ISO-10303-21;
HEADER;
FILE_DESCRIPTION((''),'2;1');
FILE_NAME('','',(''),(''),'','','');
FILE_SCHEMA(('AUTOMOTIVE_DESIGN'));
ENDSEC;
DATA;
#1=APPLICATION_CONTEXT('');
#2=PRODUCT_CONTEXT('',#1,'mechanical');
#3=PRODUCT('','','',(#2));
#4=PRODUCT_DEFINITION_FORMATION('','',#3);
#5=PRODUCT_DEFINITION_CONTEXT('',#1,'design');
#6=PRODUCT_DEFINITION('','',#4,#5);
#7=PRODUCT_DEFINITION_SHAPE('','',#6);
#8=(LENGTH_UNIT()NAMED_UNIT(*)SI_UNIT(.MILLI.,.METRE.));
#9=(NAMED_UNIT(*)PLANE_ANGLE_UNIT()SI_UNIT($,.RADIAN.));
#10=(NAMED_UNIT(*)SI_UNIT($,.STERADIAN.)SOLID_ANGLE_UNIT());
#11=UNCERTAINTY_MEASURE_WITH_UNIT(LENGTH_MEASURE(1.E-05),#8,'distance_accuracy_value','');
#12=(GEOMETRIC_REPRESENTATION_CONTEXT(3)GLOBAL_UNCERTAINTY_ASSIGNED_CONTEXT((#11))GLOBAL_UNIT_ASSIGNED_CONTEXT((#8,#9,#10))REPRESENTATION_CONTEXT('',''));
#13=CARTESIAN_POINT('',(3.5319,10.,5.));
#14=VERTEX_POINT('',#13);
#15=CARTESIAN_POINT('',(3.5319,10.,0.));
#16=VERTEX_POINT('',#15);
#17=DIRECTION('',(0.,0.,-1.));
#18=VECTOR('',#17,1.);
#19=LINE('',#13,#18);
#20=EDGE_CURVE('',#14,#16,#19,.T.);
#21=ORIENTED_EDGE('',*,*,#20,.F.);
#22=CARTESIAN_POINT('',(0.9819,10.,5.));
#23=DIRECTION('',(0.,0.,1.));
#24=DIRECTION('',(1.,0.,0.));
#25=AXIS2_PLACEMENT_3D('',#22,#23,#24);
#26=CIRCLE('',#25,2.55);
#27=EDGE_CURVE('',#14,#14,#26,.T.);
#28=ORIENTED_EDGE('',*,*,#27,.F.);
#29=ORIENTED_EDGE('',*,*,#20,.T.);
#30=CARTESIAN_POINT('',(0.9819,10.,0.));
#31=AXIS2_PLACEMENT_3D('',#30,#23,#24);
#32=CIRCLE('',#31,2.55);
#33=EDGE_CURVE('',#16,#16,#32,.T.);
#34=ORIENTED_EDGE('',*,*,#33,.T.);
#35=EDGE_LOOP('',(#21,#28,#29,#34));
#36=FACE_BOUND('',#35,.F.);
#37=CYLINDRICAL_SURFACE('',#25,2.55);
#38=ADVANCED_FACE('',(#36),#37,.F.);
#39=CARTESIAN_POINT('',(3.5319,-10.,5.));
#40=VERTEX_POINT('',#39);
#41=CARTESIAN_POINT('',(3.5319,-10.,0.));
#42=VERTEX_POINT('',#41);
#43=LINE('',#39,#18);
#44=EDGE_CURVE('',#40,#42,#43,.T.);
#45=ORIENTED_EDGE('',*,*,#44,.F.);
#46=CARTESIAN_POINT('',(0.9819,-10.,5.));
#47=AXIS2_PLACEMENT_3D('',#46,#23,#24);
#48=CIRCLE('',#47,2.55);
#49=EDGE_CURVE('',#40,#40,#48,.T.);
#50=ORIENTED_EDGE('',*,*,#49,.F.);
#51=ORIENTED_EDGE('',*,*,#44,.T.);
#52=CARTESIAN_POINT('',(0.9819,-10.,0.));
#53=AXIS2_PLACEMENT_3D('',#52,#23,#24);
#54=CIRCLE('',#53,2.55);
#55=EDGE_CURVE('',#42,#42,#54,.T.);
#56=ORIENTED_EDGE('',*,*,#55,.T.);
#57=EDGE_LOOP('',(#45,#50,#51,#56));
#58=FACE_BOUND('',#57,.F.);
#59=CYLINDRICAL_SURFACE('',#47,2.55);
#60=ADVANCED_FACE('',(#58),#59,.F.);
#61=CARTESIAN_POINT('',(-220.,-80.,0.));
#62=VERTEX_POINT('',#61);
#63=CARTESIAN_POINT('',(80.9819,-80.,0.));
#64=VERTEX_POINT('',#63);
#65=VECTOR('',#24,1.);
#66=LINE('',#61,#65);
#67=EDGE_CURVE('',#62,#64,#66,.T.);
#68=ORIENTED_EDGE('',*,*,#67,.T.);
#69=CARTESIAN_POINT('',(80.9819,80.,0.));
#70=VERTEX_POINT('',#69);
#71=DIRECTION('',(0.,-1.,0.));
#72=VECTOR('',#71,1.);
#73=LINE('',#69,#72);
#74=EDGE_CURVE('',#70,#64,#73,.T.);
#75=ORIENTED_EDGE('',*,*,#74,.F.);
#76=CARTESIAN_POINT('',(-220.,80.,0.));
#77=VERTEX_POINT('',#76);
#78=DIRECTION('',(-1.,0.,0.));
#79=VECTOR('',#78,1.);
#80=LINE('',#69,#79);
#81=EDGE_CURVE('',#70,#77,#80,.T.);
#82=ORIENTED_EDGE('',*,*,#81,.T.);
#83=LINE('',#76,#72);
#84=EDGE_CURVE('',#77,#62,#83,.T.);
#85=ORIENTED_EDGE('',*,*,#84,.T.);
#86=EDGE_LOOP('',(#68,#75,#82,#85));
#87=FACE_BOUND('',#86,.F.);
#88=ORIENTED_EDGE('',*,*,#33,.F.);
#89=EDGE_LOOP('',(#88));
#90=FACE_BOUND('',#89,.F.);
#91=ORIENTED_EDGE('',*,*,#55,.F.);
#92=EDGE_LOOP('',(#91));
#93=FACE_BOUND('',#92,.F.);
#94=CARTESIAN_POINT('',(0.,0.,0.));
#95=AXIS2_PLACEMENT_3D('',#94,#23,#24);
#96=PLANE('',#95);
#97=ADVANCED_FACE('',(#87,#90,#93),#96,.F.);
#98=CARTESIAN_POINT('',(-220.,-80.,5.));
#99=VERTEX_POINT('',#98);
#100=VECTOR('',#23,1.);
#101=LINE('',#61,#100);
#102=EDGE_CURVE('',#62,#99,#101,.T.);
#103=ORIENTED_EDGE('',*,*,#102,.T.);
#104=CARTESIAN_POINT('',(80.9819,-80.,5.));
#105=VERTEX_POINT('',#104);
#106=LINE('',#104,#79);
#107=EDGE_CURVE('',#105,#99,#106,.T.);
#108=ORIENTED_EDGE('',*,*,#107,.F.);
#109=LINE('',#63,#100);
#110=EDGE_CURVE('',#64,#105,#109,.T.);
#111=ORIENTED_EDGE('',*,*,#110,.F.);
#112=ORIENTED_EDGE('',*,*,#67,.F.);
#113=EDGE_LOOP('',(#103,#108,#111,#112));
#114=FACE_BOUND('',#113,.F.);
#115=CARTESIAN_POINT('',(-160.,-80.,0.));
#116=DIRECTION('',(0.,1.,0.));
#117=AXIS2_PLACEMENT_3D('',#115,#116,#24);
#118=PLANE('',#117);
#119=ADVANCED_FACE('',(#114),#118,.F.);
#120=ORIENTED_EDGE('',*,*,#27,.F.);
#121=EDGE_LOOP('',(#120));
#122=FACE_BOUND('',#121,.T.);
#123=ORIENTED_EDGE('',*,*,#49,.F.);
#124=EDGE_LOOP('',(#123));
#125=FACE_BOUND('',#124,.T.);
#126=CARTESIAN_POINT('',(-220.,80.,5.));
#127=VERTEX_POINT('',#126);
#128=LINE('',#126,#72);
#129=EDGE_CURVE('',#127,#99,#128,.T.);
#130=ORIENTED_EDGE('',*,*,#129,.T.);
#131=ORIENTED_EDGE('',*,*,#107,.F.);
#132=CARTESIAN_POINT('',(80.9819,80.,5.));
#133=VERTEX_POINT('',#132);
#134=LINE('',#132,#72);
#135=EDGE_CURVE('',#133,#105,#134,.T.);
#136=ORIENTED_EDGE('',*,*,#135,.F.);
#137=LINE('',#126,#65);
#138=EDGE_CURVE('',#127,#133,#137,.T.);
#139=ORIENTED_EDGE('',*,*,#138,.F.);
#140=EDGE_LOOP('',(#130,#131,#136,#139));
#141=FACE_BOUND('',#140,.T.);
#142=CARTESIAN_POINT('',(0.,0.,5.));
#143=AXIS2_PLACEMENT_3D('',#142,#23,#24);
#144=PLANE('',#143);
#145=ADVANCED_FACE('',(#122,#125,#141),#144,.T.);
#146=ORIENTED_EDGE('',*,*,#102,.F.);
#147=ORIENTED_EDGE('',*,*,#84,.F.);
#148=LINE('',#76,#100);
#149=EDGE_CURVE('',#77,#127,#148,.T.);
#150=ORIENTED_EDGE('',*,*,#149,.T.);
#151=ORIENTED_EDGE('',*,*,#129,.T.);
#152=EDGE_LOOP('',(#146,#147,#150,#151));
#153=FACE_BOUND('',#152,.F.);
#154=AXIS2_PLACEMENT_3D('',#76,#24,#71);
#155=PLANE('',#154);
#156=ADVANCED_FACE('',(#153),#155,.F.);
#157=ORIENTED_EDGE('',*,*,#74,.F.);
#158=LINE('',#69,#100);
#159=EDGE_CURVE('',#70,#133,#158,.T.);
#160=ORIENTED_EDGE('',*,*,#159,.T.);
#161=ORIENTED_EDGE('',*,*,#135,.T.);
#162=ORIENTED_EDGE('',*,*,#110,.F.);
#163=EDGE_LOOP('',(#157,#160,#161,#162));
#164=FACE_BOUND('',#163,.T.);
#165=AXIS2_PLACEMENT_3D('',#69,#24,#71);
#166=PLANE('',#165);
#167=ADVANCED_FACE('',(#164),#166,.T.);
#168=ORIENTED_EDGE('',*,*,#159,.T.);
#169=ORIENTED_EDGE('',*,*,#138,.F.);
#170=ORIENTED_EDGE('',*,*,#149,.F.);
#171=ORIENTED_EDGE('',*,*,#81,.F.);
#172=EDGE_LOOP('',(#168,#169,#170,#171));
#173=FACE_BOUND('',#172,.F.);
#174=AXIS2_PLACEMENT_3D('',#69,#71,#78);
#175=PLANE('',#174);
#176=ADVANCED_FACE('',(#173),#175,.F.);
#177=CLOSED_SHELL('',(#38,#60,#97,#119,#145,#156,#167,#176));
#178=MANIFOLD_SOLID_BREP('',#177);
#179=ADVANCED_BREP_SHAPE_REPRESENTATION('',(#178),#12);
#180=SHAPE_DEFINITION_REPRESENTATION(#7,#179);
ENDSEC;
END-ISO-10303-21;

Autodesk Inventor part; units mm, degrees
ref_plane "YZ Plane" through (0, 0, 0) normal (1, 0, 0) x (0, 1, 0)
ref_plane "XZ Plane" through (0, 0, 0) normal (0, 1, 0) x (-1, 0, 0)
ref_plane "XY Plane" through (0, 0, 0) normal (0, 0, 1) x (1, 0, 0)
sketch "Sketch1" plane through (0, 0, 0) normal (0, 0, 1) x (1, 0, 0)
  line L0 (160, 80) -> (-160, 80) projected
  line L1 (-160, -80) -> (160, -80) projected
  line L2 (80.9819, 80) -> (80.9819, -80)
  line L3 (-160, 80) -> (-220, 80)
  line L4 (-220, 80) -> (-220, -80)
  line L5 (-220, -80) -> (-160, -80)
  point P0 (0, 0)
  dimension "d3" = 60
extrude "Extrusion1" add sketch "Sketch1" along normal blind 5
sketch "Sketch2" plane through (0, 0, 5) normal (0, 0, 1) x (1, 0, 0)
  circle A0 centre (0.9819, 10) radius 2.55 projected
  circle A1 centre (0.9819, -10) radius 2.55 projected
  point P0 (0, 0)
extrude "Extrusion2" cut sketch "Sketch2" against normal through all
properties part number "Top sliding plate new" material "Aluminum 6061"
